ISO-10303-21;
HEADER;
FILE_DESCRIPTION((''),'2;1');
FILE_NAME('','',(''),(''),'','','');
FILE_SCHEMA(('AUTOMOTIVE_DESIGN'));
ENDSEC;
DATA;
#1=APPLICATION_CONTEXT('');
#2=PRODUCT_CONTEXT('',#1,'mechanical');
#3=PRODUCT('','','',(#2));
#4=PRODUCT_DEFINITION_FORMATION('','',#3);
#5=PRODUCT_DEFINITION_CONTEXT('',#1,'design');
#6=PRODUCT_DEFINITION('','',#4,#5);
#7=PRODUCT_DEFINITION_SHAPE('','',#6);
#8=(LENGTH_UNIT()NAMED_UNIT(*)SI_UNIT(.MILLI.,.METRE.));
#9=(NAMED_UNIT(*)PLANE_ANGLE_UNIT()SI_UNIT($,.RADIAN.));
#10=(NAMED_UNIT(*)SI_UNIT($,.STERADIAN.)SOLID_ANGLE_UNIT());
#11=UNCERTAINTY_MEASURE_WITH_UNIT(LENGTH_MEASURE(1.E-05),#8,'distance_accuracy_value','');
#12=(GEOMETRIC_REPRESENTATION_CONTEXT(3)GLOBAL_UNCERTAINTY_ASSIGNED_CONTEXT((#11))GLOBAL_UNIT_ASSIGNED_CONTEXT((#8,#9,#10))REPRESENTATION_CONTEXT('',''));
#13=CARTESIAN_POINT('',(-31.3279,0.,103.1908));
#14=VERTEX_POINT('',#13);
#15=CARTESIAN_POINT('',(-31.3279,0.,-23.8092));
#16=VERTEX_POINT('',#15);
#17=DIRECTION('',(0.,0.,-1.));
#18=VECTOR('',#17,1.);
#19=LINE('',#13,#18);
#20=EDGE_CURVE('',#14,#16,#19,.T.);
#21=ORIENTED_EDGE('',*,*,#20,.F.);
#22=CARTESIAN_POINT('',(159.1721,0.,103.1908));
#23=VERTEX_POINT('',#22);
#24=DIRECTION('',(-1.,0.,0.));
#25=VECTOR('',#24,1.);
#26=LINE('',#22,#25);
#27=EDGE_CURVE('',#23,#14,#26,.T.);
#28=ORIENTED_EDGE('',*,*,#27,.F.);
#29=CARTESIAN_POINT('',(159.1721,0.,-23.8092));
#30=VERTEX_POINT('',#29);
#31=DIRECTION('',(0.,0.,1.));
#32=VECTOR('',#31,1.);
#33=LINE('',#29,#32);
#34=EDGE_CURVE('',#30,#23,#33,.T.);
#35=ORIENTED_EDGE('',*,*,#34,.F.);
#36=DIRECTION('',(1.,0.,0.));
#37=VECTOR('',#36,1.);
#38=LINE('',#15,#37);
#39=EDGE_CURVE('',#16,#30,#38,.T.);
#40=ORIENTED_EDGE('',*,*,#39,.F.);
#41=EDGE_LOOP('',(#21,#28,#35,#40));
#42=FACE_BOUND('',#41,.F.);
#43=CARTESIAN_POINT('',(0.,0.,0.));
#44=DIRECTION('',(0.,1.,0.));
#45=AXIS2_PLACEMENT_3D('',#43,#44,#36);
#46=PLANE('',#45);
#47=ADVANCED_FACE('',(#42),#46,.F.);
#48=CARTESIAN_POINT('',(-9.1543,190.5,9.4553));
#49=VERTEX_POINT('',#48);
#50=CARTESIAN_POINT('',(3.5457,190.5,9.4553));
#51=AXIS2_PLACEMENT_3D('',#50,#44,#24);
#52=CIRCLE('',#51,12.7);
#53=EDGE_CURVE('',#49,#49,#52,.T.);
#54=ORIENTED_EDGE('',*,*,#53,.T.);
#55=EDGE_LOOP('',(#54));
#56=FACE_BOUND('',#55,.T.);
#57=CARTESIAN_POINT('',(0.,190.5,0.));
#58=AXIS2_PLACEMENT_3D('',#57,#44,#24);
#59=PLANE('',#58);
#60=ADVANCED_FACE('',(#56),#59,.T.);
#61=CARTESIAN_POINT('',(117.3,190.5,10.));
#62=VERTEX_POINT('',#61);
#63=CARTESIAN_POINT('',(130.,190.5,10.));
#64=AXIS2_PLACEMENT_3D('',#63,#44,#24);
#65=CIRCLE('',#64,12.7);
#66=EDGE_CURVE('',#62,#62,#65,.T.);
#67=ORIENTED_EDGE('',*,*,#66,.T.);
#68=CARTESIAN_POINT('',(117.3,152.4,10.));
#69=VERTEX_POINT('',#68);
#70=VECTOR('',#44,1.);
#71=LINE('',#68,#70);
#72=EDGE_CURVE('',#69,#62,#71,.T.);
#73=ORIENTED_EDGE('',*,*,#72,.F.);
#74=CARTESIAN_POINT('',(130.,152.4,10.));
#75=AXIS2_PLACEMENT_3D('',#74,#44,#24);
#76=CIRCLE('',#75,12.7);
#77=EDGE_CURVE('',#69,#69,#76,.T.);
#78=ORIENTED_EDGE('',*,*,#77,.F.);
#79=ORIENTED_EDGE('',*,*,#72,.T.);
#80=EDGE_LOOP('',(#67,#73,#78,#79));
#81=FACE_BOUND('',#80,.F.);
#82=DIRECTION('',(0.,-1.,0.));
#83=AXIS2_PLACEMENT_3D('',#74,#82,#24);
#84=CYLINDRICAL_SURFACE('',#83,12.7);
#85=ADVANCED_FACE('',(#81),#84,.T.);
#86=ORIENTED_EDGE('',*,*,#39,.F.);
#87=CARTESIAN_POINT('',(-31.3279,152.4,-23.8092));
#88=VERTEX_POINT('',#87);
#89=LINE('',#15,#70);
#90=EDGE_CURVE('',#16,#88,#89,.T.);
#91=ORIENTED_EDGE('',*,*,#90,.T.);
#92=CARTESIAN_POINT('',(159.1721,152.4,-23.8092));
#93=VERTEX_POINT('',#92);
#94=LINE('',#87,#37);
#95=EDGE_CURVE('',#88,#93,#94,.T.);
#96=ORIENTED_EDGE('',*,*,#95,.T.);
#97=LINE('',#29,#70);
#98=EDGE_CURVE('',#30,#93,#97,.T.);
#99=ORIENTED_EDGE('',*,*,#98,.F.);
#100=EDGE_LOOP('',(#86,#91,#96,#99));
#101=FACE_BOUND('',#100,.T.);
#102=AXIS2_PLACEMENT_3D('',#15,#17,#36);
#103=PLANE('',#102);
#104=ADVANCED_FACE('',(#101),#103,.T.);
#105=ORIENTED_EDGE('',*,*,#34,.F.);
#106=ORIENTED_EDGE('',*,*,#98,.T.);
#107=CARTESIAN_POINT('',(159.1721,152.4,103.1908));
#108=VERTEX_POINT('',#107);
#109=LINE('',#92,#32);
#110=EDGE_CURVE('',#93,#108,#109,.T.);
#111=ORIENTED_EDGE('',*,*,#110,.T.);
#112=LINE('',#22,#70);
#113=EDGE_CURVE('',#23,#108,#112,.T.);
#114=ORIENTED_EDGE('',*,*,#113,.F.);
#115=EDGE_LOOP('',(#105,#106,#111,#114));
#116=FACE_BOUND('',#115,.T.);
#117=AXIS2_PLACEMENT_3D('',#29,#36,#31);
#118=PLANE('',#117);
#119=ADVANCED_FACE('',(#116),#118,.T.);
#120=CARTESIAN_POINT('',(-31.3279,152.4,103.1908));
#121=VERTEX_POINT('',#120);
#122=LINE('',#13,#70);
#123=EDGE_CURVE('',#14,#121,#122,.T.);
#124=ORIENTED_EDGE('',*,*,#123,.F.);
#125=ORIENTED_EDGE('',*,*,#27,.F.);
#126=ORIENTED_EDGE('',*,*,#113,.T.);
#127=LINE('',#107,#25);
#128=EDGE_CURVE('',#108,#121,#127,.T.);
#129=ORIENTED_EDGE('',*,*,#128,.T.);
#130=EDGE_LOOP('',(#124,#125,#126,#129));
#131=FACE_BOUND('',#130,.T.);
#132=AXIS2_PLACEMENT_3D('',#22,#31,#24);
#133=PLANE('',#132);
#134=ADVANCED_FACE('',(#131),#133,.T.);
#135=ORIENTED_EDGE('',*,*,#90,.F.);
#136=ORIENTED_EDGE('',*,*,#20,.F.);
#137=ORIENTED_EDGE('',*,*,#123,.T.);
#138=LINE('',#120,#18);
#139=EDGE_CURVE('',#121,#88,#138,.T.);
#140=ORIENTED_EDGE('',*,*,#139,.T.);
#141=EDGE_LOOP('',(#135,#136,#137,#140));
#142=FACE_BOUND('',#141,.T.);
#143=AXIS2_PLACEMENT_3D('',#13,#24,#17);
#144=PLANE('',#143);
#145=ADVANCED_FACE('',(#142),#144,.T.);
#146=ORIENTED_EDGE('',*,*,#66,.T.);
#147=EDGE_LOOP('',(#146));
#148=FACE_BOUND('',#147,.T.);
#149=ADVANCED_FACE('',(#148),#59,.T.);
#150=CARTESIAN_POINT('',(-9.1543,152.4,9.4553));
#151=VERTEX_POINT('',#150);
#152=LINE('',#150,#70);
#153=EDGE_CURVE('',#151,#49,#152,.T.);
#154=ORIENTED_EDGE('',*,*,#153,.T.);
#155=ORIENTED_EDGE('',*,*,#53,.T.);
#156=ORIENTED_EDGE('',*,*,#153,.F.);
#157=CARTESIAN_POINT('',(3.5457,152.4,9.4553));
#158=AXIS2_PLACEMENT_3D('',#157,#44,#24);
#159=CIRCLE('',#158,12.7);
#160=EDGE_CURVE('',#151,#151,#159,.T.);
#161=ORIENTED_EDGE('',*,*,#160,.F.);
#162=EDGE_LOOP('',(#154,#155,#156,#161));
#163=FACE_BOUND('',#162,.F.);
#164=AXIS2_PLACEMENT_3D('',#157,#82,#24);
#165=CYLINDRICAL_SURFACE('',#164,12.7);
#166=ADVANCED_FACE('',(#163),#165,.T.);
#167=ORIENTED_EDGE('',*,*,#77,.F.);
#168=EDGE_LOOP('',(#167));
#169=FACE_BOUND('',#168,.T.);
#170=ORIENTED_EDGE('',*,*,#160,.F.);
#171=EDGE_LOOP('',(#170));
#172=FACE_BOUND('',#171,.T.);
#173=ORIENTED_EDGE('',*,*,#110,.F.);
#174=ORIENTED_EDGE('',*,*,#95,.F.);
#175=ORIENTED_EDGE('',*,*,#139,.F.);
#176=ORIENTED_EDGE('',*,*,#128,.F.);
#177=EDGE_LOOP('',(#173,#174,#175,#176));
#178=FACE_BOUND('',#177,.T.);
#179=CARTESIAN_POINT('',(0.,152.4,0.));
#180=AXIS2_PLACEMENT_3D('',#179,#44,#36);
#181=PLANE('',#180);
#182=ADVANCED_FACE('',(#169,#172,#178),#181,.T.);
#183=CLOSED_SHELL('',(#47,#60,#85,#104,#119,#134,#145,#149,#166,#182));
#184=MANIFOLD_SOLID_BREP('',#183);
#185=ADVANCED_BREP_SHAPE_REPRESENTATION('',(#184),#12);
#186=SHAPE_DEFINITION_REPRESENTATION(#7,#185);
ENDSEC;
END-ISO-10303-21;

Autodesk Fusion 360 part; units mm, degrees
sketch "Sketch1" plane through (0, 0, 0) normal (0, 1, 0) x (1, 0, 0)
  line L0 (-31.3279, 23.8092) -> (159.1721, 23.8092)
  line L1 (159.1721, 23.8092) -> (159.1721, -103.1908)
  line L2 (159.1721, -103.1908) -> (-31.3279, -103.1908)
  line L3 (-31.3279, -103.1908) -> (-31.3279, 23.8092)
  dimension "d1" = 190.5
  dimension "d2" = 127
extrude "Extrude1" add sketch "Sketch1" along normal blind 152.4
sketch "Sketch2" plane through (0, 152.4, 0) normal (0, 1, 0) x (-1, 0, 0)
  line L0 (31.3279, 103.1908) -> (-159.1721, 103.1908)
  line L1 (-159.1721, 103.1908) -> (-159.1721, -23.8092)
  line L2 (-159.1721, -23.8092) -> (31.3279, -23.8092)
  line L3 (31.3279, -23.8092) -> (31.3279, 103.1908)
  circle A0 centre (-3.5457, 9.4553) radius 12.7
  circle A1 centre (-130, 10) radius 12.7
  dimension "d5" = 25.4
  dimension "d6" = 25.4
extrude "Extrude2" add sketch "Sketch2" along normal blind 38.1 contours A0
extrude "Extrude3" add sketch "Sketch2" along normal blind 38.1 contours A1
